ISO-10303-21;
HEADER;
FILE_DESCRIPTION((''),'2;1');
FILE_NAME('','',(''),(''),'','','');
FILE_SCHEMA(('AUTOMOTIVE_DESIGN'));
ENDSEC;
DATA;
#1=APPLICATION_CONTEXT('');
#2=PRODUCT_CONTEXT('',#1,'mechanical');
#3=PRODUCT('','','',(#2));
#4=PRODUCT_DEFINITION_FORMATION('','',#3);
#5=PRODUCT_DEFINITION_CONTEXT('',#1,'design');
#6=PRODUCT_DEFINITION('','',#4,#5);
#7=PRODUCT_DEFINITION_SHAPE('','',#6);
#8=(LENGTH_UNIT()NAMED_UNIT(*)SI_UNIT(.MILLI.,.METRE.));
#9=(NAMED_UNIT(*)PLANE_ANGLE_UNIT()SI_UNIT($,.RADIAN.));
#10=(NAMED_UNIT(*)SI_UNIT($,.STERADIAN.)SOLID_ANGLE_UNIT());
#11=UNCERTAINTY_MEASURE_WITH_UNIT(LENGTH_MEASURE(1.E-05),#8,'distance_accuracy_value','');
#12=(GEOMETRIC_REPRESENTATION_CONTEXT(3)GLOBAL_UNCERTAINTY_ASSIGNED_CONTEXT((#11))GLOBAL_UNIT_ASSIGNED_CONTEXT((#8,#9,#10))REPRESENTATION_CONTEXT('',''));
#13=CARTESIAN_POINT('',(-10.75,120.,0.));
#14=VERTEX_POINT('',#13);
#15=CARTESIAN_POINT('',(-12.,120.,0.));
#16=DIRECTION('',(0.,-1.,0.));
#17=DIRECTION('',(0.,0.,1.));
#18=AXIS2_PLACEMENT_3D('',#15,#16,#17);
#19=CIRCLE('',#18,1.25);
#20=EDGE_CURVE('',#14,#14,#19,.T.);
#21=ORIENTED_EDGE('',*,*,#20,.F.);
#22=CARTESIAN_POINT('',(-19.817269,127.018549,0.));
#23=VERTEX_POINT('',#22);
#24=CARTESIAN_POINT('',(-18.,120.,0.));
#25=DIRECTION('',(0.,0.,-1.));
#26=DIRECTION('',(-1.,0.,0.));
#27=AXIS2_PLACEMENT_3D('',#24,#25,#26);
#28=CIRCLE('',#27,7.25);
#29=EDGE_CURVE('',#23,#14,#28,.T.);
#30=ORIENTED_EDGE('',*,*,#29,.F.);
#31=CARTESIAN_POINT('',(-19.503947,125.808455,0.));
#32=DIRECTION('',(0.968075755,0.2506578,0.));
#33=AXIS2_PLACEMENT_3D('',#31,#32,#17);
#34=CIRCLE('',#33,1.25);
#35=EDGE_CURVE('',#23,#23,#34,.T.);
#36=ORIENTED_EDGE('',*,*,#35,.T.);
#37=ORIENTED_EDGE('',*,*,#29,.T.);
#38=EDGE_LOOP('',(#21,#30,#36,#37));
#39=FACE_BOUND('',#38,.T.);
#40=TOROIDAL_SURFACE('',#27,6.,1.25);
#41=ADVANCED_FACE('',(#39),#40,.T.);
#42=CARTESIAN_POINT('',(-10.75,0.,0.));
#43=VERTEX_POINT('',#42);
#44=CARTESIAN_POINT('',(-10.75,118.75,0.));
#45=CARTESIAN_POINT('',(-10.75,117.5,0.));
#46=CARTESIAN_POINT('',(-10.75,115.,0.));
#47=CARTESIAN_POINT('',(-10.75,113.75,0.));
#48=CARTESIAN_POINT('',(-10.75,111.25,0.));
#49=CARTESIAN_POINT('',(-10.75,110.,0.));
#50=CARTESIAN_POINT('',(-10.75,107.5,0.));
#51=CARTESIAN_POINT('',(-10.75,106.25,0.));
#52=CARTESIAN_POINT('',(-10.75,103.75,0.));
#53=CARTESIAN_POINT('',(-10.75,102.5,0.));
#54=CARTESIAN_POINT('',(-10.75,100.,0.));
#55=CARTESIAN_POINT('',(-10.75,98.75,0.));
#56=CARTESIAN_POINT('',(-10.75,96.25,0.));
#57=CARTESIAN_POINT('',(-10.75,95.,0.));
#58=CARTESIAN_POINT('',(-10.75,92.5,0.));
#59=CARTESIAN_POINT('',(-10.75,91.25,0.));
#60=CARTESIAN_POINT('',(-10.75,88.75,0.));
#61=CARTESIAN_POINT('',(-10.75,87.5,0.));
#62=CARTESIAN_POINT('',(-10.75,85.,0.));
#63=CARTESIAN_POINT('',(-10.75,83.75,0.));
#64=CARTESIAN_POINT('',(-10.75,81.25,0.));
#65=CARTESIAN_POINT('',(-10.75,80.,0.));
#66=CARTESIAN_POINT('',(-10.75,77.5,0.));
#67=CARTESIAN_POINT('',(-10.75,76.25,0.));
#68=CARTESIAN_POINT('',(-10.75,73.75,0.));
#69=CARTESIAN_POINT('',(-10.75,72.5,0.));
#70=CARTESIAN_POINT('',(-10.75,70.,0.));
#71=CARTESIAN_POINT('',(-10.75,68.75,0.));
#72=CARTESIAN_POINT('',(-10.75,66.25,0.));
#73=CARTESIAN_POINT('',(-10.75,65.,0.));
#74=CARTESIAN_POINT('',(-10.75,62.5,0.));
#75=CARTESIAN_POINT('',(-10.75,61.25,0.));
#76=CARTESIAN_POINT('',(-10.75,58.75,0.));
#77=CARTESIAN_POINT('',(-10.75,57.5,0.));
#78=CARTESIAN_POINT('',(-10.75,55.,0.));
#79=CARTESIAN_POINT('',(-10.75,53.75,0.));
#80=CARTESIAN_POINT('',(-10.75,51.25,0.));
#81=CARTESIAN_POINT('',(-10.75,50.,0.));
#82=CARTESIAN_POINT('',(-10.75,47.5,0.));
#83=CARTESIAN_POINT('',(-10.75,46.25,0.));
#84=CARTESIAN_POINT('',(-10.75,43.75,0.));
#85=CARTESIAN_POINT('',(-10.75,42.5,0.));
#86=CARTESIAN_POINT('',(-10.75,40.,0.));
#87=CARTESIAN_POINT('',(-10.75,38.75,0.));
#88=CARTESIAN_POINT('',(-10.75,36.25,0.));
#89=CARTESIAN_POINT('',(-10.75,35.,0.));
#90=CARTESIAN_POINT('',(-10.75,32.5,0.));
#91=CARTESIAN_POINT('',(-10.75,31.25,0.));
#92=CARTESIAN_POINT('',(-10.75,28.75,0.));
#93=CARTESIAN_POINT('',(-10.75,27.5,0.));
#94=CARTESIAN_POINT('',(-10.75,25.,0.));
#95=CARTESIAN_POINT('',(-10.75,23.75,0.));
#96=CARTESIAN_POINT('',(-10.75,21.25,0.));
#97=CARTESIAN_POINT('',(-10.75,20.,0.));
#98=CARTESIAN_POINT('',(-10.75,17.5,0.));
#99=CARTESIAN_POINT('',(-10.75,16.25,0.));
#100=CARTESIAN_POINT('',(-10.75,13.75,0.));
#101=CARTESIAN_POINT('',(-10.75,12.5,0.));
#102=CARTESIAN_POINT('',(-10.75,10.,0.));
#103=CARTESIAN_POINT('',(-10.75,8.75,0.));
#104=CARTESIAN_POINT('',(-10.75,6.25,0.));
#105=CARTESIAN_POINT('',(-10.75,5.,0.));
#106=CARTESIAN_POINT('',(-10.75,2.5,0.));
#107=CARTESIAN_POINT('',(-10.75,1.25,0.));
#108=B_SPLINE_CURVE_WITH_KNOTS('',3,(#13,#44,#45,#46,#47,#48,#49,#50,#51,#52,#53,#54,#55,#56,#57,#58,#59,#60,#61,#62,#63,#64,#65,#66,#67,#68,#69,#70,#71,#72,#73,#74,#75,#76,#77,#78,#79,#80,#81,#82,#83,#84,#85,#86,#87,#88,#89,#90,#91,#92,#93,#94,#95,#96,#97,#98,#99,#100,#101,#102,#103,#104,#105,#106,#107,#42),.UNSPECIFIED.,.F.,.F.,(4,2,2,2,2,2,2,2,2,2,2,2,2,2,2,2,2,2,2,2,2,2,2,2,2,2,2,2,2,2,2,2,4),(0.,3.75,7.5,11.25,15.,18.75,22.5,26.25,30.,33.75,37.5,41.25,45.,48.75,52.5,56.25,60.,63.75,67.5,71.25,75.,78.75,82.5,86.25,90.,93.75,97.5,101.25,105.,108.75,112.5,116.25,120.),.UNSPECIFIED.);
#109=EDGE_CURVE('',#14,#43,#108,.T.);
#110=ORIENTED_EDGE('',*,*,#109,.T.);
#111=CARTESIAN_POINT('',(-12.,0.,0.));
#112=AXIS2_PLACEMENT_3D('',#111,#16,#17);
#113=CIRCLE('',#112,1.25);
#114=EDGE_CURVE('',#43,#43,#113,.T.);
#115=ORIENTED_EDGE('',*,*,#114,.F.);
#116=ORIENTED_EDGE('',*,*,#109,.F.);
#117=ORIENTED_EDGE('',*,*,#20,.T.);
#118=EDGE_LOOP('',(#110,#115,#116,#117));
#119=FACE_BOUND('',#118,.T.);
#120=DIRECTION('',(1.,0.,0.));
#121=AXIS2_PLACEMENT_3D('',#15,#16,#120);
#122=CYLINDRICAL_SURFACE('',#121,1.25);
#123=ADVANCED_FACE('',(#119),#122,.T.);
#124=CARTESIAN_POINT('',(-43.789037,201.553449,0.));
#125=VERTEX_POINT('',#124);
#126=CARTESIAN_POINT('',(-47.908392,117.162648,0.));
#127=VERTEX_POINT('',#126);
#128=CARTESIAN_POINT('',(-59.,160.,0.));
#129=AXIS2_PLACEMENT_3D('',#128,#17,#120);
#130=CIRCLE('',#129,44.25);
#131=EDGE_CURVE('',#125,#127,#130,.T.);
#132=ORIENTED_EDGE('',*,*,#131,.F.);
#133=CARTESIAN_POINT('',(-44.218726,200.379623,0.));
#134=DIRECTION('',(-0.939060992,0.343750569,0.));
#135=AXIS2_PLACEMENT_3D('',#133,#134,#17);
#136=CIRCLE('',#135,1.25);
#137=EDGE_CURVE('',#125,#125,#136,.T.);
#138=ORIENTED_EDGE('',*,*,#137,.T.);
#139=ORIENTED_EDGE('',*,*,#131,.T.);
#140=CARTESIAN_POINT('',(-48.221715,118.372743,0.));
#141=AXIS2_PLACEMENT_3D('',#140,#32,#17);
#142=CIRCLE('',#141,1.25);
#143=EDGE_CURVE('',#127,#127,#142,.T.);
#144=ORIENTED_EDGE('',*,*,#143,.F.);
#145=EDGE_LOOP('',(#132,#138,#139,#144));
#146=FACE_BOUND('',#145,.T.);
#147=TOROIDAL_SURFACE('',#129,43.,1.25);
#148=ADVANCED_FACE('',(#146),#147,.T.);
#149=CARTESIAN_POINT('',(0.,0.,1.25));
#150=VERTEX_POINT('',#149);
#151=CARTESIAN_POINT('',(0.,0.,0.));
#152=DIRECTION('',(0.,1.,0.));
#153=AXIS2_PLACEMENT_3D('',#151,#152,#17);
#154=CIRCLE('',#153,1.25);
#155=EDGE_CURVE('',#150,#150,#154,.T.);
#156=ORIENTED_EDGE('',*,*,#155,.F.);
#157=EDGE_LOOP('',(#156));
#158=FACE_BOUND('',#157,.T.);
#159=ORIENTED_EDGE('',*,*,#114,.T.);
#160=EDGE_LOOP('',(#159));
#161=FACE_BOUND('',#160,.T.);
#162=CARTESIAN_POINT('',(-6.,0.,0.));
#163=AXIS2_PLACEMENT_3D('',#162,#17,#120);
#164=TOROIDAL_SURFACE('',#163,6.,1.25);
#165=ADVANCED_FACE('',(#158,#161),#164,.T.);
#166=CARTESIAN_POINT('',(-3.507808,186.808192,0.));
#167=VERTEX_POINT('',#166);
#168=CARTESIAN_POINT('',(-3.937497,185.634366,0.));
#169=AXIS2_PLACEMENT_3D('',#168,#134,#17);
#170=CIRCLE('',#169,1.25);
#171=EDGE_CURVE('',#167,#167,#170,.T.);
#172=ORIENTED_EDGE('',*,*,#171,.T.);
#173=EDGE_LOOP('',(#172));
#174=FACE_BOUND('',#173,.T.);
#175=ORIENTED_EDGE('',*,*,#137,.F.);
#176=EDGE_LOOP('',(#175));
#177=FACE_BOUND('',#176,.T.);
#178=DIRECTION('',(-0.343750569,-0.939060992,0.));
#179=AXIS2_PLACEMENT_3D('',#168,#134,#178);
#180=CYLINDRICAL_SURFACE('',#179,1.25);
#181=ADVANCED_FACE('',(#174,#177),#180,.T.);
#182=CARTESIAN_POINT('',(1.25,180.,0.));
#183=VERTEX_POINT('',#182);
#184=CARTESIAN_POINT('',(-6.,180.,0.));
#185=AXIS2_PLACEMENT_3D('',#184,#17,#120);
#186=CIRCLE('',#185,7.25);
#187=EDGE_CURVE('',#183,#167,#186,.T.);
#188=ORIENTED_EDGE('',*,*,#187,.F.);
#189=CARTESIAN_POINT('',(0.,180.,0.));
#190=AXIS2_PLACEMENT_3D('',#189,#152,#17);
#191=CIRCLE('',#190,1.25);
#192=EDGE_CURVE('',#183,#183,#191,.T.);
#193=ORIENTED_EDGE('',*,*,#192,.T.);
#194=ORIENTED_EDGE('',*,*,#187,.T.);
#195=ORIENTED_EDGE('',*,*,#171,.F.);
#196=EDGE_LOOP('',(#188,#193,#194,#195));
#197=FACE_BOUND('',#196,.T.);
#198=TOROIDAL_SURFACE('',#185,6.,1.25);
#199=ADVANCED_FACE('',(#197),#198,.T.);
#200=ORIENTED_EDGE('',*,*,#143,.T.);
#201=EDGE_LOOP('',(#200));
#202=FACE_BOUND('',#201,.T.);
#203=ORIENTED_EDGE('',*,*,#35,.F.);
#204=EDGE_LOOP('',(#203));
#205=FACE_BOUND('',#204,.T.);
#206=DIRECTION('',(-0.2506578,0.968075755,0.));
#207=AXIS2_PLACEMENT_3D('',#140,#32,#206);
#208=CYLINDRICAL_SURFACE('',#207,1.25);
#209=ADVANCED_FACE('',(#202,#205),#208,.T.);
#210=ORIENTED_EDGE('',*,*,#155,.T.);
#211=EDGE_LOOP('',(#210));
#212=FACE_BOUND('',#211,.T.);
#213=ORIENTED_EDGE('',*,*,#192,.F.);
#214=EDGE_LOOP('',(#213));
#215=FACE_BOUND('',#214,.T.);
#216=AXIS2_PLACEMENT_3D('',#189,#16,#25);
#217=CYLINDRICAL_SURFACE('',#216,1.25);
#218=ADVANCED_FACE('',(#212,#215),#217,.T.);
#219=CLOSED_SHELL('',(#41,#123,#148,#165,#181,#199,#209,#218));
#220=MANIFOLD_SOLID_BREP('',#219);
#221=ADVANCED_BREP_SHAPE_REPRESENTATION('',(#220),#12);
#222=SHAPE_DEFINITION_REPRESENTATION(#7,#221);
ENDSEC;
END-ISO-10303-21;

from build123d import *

# Parameters (mm, degrees)
ESQUISSE1_R = 1.25


with BuildPart() as part:
    # Balayage1: sweep along a path in Esquisse2
    with BuildLine(Plane.XY) as balayage1_path:
        Line((0, 0), (0, 180))
        ThreePointArc((0, 180), (-1.081920065, 183.436930281), (-3.937496585, 185.63436595))
        Line((-3.937496585, 185.63436595), (-44.218725526, 200.379622645))
        ThreePointArc((-44.218725526, 200.379622645), (-101.948863448, 162.096456184), (-48.221714597, 118.372742539))
        Line((-48.221714597, 118.372742539), (-19.5039468, 125.80845453))
        ThreePointArc((-19.5039468, 125.80845453), (-14.327377014, 124.744664414), (-12, 120))
        Line((-12, 120), (-12, 0))
        ThreePointArc((-12, 0), (-6, -6), (0, 0))
    # Esquisse1 → Balayage1 (sweep)
    with BuildSketch(Plane(origin=(0, 0, 0), x_dir=(1, 0, 0), z_dir=(0, 1, 0))):
        Circle(ESQUISSE1_R)
    sweep(path=balayage1_path.line)


solid = part.part
